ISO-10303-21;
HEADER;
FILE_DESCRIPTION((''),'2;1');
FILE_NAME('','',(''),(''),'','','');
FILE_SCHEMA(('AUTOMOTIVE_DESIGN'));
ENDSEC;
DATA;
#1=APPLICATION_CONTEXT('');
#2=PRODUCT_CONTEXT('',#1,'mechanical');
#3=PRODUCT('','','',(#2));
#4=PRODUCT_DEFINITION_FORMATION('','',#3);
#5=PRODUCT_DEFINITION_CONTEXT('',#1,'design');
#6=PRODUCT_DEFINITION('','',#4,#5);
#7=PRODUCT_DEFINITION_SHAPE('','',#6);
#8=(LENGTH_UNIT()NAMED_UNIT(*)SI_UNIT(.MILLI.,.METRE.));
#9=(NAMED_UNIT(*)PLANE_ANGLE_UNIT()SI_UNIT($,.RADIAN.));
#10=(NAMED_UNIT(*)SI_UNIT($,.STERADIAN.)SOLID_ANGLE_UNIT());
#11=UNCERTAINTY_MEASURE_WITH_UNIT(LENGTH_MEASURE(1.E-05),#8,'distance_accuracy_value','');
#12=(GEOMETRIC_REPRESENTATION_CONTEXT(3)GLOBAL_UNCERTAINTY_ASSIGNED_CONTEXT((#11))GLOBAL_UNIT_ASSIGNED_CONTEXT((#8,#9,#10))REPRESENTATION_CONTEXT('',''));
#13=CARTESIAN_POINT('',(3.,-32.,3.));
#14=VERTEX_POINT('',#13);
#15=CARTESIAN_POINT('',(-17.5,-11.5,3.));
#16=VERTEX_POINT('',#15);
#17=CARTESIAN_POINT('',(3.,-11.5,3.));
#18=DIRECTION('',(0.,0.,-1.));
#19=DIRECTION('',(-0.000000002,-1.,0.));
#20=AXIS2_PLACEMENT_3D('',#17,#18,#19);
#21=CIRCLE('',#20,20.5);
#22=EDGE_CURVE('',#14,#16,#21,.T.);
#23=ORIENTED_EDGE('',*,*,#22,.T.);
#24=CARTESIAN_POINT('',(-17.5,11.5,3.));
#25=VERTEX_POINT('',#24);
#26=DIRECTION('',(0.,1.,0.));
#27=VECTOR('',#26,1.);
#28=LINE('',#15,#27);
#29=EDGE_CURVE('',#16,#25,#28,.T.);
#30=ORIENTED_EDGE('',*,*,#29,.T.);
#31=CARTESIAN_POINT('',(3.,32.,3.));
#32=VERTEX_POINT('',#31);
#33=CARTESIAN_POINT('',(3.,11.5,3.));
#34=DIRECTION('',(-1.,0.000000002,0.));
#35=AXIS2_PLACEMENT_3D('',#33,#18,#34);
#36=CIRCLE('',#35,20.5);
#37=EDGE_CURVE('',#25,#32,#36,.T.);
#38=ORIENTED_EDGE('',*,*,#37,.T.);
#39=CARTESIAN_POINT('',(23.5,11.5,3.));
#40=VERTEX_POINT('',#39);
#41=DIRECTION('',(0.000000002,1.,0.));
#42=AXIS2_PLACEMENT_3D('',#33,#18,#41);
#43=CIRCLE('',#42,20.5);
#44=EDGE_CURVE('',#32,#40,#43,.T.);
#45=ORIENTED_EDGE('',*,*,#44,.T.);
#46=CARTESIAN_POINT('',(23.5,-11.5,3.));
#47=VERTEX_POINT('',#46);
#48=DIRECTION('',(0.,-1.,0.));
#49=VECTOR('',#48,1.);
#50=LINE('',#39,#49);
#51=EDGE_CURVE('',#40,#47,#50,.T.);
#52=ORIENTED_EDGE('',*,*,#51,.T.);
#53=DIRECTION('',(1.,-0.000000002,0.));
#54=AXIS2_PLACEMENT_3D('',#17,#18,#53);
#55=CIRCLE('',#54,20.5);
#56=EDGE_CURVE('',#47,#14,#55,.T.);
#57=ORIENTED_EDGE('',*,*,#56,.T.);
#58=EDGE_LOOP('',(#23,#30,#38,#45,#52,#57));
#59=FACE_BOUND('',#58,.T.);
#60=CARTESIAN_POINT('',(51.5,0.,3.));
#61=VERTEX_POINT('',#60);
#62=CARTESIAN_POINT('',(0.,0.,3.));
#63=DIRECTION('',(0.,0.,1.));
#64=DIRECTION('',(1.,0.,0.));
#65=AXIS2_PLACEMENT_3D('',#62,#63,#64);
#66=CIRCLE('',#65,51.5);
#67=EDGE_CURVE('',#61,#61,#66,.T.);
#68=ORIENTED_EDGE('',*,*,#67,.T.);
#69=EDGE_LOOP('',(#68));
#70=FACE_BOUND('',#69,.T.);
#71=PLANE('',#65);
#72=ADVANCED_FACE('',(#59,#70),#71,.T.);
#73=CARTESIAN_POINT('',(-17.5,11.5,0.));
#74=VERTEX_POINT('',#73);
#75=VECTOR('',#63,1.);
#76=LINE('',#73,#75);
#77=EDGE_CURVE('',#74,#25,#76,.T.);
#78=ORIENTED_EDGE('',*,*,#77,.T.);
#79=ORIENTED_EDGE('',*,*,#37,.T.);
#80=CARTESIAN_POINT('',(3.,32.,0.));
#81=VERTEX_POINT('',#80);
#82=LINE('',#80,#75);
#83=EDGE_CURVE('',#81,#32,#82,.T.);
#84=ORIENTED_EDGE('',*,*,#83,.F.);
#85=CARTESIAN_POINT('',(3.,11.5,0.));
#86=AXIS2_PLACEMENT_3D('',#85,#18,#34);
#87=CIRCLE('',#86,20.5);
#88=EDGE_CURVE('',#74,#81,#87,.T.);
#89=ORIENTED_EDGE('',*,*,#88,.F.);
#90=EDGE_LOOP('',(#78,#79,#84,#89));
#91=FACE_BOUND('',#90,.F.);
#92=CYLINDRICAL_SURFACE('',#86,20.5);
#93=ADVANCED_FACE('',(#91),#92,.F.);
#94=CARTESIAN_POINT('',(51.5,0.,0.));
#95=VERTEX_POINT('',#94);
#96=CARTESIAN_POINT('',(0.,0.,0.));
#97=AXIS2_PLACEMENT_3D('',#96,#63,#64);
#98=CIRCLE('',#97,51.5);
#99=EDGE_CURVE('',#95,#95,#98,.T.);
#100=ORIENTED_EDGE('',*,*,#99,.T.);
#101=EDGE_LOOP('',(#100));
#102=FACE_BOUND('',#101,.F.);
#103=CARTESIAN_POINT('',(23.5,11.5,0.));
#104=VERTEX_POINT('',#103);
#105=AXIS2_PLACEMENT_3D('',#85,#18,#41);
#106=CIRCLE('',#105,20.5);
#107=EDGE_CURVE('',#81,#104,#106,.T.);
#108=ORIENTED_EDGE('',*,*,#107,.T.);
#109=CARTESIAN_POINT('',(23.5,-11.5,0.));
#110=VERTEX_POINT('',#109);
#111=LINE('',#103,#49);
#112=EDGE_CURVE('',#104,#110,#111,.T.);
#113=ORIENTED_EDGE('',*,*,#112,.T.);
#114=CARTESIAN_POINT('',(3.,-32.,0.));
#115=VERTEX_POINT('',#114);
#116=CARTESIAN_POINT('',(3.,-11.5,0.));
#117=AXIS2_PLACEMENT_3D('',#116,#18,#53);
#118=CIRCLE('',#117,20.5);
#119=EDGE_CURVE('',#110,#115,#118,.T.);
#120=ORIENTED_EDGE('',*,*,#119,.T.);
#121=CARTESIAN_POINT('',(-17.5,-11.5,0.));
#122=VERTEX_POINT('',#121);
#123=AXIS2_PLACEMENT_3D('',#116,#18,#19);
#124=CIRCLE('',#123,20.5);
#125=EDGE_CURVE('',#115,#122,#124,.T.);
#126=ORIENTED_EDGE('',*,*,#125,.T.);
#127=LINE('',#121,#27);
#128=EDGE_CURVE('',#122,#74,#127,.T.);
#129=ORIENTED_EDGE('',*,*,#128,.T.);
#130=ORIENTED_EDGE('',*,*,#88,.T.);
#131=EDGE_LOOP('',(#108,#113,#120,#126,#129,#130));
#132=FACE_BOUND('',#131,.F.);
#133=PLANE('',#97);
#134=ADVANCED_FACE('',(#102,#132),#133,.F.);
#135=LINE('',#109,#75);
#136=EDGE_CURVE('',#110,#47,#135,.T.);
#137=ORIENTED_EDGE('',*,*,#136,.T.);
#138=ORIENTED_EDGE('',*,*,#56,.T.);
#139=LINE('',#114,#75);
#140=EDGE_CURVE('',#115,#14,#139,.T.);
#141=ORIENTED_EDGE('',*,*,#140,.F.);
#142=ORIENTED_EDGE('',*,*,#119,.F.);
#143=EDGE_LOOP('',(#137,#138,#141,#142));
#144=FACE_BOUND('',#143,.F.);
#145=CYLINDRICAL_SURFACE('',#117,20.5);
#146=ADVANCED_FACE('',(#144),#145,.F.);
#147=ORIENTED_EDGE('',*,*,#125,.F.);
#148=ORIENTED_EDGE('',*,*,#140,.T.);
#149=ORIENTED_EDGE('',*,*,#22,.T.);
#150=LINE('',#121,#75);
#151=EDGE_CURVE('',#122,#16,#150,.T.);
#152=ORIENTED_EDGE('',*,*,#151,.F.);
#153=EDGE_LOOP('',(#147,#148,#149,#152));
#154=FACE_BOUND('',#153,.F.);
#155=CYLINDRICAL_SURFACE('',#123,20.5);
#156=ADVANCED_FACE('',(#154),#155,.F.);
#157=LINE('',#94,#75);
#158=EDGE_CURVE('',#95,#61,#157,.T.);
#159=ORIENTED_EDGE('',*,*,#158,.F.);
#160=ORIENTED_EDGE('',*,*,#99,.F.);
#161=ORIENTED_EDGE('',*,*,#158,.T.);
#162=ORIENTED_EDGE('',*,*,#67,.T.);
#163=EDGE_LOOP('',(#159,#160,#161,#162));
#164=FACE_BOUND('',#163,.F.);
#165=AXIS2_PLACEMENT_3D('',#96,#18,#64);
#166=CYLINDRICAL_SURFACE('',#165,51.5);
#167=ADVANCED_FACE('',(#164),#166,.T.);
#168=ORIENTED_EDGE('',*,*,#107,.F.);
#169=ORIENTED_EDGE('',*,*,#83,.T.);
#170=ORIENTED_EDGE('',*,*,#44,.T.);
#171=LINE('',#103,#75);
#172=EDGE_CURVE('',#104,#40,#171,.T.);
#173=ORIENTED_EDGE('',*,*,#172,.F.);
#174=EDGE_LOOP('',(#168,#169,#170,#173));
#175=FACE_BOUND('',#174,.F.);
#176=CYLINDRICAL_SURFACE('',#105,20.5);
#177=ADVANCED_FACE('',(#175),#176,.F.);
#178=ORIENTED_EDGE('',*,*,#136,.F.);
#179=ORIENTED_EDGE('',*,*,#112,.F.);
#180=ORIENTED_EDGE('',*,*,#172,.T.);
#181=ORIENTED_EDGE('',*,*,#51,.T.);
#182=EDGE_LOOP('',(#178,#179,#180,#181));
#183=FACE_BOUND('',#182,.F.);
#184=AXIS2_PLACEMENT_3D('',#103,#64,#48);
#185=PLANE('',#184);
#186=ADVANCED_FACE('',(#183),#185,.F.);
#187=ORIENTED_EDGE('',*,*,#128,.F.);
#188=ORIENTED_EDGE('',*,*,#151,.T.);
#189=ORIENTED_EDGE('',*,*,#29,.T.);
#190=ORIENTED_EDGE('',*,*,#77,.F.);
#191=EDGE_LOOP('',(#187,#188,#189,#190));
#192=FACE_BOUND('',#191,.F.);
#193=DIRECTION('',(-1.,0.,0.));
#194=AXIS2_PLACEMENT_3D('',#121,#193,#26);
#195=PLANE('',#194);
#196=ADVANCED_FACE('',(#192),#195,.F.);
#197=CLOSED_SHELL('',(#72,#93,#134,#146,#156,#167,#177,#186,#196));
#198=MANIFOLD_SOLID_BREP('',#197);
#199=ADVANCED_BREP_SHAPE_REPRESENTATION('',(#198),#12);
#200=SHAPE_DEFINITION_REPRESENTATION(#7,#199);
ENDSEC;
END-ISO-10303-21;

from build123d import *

# Parameters (mm, degrees)
F0_R     = 51.5
F1_DEPTH = 3


with BuildPart() as f1:
    # F0 (on Top) → F1 (new body)
    with BuildSketch(Plane.XY):
        Circle(F0_R)
        with BuildLine():
            Line((23.5, 11.5), (23.5, -11.5))
            ThreePointArc((23.5, -11.5), (17.495689, -25.995689), (3, -32))
            ThreePointArc((3, -32), (-11.495689, -25.995689), (-17.5, -11.5))
            Line((-17.5, -11.5), (-17.5, 11.5))
            ThreePointArc((-17.5, 11.5), (-11.495689, 25.995689), (3, 32))
            ThreePointArc((3, 32), (17.495689, 25.995689), (23.5, 11.5))
        make_face(mode=Mode.SUBTRACT)
    extrude(amount=F1_DEPTH)


solid = f1.part
